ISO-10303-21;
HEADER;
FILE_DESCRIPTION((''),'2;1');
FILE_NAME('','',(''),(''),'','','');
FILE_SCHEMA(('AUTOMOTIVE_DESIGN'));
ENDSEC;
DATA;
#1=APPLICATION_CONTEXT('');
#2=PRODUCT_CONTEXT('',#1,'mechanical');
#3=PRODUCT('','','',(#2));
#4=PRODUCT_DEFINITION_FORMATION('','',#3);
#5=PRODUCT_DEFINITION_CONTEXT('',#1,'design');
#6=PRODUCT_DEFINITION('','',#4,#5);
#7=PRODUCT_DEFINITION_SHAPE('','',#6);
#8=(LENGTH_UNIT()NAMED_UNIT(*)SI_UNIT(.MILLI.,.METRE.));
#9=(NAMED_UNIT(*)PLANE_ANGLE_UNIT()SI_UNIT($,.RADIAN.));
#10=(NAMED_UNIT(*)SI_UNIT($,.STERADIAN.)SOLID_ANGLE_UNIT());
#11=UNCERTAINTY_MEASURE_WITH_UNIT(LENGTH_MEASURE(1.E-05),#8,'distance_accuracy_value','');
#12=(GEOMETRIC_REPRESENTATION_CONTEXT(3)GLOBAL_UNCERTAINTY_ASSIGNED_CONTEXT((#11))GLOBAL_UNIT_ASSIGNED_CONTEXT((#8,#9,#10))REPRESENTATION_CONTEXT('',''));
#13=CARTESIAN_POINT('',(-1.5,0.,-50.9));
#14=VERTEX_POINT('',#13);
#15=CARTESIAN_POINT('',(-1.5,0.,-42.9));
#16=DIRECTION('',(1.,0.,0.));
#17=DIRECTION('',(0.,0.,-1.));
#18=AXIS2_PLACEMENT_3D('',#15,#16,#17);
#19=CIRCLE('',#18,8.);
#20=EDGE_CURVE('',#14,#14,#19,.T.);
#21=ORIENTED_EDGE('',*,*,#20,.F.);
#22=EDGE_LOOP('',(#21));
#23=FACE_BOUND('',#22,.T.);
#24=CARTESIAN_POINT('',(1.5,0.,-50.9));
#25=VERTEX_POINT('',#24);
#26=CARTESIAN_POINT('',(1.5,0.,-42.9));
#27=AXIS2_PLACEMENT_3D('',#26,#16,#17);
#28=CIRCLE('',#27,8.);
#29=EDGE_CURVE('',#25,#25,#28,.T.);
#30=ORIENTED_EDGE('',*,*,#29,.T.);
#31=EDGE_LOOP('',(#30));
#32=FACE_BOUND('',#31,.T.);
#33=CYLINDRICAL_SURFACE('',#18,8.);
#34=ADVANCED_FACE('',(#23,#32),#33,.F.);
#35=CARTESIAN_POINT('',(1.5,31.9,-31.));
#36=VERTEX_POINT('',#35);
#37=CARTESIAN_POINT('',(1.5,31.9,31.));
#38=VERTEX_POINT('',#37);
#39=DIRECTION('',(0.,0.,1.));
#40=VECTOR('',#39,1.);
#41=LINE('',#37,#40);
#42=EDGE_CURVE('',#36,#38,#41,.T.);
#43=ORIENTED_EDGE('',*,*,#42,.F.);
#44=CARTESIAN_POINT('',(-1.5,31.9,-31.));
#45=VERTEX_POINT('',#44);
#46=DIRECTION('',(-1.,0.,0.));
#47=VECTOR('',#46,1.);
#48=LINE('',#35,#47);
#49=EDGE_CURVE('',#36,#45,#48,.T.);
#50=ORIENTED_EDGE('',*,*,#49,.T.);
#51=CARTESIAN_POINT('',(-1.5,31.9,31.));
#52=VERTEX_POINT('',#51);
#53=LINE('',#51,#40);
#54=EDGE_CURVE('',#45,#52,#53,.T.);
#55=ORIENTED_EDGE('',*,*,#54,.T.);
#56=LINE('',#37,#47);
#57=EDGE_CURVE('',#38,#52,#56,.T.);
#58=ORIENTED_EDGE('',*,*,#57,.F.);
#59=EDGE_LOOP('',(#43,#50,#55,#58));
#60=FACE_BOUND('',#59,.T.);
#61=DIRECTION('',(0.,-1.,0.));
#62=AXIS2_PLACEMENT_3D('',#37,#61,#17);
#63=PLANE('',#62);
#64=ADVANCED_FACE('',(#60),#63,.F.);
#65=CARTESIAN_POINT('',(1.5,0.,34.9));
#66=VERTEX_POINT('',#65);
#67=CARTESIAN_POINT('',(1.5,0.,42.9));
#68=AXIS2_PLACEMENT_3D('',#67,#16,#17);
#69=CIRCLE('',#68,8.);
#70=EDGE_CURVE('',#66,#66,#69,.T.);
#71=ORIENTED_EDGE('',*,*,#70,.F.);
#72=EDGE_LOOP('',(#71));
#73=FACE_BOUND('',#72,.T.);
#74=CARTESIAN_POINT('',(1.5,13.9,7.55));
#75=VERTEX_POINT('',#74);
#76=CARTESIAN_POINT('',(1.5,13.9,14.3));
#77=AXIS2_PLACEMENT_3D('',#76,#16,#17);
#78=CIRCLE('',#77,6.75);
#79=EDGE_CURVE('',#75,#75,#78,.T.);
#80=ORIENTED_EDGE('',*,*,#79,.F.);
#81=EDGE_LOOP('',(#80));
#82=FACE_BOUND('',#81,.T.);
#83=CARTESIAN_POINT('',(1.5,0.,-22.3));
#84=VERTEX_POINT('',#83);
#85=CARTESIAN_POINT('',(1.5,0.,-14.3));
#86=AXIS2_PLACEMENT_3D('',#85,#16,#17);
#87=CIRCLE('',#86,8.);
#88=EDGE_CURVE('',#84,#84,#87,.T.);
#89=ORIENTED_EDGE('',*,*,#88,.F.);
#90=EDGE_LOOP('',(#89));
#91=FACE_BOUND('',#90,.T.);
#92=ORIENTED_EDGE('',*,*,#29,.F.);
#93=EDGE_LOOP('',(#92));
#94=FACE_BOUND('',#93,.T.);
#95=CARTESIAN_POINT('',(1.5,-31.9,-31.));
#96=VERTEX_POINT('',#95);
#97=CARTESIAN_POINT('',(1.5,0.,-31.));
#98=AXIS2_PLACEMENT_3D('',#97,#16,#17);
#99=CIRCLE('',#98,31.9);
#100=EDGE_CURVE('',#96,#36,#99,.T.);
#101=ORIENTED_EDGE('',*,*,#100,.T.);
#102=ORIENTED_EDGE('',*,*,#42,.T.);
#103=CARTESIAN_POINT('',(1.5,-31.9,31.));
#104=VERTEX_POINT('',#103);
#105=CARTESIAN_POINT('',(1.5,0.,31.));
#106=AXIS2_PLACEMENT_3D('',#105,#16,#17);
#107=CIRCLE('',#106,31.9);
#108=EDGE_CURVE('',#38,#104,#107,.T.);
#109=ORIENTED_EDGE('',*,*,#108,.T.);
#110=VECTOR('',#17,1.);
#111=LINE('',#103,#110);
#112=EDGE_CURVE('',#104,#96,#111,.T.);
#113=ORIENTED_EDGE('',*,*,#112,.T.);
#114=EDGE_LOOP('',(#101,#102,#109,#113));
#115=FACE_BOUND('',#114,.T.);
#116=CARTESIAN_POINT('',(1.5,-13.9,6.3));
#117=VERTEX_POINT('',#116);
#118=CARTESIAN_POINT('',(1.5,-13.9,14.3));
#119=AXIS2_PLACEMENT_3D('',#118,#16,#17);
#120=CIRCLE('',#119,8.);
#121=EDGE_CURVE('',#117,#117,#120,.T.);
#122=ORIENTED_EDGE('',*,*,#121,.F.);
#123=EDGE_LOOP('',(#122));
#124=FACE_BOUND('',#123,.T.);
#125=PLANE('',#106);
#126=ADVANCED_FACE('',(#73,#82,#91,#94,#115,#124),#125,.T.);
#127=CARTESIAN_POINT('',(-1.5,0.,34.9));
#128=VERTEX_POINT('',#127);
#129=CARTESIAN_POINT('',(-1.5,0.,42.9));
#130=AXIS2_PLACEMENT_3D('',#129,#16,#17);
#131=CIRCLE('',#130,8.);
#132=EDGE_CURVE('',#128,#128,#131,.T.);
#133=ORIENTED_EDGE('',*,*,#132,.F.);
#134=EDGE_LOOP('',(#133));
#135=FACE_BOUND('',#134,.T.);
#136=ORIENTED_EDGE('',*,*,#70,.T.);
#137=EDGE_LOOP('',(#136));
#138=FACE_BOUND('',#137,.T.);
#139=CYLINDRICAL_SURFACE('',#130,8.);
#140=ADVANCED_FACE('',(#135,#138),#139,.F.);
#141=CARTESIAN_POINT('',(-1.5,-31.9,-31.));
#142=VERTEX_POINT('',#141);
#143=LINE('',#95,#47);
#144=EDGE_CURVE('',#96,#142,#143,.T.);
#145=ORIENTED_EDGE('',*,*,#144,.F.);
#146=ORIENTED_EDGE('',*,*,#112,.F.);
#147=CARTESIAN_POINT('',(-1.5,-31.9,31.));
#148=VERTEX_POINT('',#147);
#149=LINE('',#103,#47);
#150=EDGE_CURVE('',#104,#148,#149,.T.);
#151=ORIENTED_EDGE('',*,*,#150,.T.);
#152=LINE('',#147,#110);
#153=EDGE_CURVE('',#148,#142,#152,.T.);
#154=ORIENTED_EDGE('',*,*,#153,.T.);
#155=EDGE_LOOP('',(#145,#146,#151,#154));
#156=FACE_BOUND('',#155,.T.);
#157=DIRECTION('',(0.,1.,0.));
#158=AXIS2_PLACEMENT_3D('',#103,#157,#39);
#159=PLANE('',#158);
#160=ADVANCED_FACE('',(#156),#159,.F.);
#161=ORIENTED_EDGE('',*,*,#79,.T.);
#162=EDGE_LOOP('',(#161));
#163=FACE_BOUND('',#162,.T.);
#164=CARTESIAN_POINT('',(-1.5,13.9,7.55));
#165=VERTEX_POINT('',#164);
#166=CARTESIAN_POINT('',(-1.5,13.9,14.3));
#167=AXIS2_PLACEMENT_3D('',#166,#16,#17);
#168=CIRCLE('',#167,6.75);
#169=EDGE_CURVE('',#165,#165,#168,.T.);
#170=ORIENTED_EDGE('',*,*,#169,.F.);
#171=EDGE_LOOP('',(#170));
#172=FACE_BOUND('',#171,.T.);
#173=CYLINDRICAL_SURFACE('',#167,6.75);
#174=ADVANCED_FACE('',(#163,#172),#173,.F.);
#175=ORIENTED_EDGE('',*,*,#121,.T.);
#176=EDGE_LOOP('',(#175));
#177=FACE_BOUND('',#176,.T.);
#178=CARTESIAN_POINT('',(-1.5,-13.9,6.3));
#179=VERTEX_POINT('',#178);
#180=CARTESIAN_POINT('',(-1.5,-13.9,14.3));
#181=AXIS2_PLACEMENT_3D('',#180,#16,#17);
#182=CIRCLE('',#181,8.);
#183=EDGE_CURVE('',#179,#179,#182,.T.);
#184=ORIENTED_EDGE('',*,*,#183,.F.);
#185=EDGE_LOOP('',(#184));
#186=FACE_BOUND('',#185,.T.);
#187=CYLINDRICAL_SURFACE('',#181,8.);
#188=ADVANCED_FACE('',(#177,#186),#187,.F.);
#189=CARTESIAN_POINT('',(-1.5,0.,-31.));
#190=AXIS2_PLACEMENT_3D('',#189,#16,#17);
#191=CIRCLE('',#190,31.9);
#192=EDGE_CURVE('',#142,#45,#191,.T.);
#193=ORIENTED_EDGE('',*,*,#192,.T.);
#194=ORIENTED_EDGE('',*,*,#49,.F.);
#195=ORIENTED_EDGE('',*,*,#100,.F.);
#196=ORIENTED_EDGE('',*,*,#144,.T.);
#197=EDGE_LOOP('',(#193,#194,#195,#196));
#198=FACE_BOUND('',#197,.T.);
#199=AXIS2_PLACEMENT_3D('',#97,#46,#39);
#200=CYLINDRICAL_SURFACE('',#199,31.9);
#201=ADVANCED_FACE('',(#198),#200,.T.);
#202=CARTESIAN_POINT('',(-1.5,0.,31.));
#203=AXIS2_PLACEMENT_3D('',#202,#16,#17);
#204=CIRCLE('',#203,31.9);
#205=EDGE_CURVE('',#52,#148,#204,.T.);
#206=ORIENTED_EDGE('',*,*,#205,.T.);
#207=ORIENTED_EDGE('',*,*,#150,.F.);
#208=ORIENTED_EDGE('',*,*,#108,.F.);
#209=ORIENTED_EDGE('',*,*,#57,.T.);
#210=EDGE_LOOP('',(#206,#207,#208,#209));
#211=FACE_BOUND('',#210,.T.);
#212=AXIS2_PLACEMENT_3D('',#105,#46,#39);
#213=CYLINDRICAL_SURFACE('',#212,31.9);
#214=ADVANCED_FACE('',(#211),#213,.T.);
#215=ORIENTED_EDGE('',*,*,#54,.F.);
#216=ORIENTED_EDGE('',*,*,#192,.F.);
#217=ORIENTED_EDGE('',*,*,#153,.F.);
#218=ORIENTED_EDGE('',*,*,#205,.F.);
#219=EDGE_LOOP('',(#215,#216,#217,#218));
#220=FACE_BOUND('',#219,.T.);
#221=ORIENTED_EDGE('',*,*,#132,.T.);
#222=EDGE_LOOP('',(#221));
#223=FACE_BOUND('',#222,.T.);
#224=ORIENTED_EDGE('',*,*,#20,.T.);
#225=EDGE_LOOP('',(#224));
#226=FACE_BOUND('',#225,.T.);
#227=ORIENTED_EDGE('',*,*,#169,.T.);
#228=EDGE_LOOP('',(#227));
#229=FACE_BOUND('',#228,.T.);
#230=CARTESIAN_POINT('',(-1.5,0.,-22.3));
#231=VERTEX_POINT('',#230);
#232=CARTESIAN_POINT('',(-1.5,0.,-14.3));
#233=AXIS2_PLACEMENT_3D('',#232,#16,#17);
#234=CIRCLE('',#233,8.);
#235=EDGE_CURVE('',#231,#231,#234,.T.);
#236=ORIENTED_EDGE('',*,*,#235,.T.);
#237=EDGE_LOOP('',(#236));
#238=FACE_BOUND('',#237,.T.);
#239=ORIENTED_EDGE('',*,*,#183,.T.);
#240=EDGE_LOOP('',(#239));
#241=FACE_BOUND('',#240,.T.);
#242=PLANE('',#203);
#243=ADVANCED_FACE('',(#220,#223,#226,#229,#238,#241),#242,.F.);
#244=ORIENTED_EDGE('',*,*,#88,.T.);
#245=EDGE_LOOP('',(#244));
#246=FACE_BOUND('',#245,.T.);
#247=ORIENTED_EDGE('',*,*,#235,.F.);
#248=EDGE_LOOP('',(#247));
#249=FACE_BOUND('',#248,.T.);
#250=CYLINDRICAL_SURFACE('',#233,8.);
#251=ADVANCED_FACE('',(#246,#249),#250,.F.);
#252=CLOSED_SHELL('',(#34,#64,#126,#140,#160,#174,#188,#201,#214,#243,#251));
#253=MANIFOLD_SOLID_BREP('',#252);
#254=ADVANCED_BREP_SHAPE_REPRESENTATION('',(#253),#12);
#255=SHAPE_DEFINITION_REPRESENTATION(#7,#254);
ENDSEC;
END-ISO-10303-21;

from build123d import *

# Parameters (mm, degrees)
BOSS_EXTRUDE1_DEPTH = 1.5
SKETCH2_R           = 8
SKETCH2_R_2         = 6.75
CUT_EXTRUDE1_DEPTH  = 71.590509277


with BuildPart() as part:
    # Sketch1 → Boss-Extrude1 (new, symmetric)
    with BuildSketch(Plane(origin=(0, 0, 0), x_dir=(0, 0, -1), z_dir=(1, 0, 0))):
        with BuildLine():
            Line((-31, 31.9), (31, 31.9))
            ThreePointArc((31, 31.9), (62.9, 0), (31, -31.9))
            Line((31, -31.9), (-31, -31.9))
            ThreePointArc((-31, -31.9), (-62.9, 0), (-31, 31.9))
        make_face()
    extrude(amount=BOSS_EXTRUDE1_DEPTH, both=True)

    # Sketch2 → Cut-Extrude1 (cut, through all)
    with BuildSketch(Plane(origin=(1.5, 0, 0), x_dir=(0, 0, -1), z_dir=(1, 0, 0))):
        with Locations((-42.9, 0)):
            Circle(SKETCH2_R)
        with Locations((42.9, 0)):
            Circle(SKETCH2_R)
        with Locations((-14.3, 13.9)):
            Circle(SKETCH2_R_2)
        with Locations((14.3, 0)):
            Circle(SKETCH2_R)
        with Locations((-14.3, -13.9)):
            Circle(SKETCH2_R)
    extrude(amount=-CUT_EXTRUDE1_DEPTH, mode=Mode.SUBTRACT)


solid = part.part
